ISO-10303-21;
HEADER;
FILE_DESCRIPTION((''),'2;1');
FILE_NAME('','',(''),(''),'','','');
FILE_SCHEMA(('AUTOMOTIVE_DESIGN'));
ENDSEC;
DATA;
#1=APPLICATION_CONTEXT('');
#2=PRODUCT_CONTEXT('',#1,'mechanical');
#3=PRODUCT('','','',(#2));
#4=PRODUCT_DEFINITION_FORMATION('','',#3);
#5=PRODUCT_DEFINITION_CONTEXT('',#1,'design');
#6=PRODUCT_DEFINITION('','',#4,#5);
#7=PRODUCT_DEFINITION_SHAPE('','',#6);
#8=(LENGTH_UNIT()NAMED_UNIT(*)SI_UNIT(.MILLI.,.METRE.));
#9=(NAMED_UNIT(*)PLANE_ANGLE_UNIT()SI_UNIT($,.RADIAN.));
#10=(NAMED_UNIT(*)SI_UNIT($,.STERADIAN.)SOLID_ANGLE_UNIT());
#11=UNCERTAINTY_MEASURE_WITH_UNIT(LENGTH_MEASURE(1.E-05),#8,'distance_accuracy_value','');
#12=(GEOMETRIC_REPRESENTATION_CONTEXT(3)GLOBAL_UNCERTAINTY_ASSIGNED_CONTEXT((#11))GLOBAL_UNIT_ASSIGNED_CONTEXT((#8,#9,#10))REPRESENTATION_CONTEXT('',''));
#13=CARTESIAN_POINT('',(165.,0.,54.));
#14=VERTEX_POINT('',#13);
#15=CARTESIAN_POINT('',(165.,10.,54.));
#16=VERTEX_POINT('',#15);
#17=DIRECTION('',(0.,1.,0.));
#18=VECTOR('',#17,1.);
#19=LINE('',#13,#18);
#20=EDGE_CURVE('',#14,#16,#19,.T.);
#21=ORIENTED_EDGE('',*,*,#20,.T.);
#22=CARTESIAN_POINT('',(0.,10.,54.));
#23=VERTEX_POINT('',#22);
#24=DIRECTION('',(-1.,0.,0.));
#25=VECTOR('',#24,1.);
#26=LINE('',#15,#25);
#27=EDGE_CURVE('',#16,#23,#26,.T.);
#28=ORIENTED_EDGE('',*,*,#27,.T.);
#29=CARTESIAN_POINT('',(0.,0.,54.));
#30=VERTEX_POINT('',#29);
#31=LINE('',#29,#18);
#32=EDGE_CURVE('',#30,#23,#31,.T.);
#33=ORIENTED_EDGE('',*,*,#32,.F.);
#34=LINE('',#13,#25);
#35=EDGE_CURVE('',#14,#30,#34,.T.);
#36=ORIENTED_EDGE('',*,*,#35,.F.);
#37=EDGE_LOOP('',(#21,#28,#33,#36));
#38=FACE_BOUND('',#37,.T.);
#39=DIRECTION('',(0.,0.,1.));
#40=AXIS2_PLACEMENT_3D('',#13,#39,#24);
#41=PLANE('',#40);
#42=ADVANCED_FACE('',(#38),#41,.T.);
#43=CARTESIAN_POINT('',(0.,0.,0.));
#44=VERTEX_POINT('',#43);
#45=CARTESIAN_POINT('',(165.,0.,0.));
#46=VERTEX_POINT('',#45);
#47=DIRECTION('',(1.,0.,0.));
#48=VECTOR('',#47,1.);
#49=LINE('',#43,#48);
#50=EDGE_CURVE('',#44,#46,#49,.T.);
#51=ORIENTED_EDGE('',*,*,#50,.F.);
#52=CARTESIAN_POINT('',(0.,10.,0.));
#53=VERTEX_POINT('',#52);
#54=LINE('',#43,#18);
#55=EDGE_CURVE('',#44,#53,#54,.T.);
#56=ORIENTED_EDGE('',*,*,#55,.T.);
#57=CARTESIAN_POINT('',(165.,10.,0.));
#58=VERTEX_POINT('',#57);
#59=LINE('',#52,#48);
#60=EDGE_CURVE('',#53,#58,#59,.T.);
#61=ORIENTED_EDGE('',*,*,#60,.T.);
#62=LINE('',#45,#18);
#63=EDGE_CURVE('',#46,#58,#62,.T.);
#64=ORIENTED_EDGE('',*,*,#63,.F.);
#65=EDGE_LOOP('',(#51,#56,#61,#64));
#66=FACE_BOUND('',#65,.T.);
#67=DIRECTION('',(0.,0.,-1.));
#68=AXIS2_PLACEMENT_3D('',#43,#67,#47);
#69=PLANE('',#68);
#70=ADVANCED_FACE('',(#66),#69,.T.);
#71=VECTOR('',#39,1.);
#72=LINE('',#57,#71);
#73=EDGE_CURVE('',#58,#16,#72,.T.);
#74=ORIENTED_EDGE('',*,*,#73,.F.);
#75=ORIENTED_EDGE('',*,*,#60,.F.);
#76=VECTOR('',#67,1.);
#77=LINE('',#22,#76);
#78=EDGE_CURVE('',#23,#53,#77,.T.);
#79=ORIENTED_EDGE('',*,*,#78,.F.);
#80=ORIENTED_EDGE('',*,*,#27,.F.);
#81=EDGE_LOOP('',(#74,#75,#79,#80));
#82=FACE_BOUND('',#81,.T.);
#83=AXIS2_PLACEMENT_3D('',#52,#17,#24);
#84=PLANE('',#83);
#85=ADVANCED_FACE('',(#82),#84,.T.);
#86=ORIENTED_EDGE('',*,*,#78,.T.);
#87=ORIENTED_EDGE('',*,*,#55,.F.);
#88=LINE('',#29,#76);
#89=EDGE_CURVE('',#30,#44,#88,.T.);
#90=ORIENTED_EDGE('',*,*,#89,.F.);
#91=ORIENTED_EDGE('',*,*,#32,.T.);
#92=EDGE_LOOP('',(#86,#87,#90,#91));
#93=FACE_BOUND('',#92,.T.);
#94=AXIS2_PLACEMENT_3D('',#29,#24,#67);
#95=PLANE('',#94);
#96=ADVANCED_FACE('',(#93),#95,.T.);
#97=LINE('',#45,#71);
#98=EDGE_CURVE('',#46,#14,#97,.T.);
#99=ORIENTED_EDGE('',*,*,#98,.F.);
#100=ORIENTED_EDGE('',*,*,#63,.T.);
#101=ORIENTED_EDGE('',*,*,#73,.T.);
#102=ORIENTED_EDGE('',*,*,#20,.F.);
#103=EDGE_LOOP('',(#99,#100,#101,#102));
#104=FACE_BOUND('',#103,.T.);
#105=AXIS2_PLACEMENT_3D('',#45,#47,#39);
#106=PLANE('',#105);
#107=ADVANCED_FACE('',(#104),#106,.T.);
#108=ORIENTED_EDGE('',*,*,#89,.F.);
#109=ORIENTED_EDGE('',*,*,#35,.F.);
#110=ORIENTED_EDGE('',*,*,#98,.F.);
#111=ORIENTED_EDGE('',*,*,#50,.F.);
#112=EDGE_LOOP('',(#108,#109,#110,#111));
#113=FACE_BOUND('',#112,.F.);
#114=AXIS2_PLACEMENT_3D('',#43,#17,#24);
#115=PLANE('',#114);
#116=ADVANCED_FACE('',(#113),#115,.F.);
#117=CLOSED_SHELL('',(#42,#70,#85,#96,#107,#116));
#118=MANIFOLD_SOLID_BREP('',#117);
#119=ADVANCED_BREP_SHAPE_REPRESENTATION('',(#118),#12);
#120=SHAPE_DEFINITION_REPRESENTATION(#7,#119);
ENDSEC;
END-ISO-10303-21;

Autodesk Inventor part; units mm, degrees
ref_plane "YZ Plane" through (0, 0, 0) normal (1, 0, 0) x (0, 1, 0)
ref_plane "XZ Plane" through (0, 0, 0) normal (0, 1, 0) x (-1, 0, 0)
ref_plane "XY Plane" through (0, 0, 0) normal (0, 0, 1) x (1, 0, 0)
sketch "Sketch1" plane through (0, 0, 0) normal (0, 1, 0) x (-1, 0, 0)
  line L0 (0, 0) -> (-165, 0)
  line L1 (-165, 0) -> (-165, 54)
  line L2 (-165, 54) -> (0, 54)
  line L3 (0, 54) -> (0, 0)
  dimension "d0" = 165
  dimension "d1" = 54
extrude "Extrusion1" add sketch "Sketch1" along normal blind 10
properties part number "breadboard"
